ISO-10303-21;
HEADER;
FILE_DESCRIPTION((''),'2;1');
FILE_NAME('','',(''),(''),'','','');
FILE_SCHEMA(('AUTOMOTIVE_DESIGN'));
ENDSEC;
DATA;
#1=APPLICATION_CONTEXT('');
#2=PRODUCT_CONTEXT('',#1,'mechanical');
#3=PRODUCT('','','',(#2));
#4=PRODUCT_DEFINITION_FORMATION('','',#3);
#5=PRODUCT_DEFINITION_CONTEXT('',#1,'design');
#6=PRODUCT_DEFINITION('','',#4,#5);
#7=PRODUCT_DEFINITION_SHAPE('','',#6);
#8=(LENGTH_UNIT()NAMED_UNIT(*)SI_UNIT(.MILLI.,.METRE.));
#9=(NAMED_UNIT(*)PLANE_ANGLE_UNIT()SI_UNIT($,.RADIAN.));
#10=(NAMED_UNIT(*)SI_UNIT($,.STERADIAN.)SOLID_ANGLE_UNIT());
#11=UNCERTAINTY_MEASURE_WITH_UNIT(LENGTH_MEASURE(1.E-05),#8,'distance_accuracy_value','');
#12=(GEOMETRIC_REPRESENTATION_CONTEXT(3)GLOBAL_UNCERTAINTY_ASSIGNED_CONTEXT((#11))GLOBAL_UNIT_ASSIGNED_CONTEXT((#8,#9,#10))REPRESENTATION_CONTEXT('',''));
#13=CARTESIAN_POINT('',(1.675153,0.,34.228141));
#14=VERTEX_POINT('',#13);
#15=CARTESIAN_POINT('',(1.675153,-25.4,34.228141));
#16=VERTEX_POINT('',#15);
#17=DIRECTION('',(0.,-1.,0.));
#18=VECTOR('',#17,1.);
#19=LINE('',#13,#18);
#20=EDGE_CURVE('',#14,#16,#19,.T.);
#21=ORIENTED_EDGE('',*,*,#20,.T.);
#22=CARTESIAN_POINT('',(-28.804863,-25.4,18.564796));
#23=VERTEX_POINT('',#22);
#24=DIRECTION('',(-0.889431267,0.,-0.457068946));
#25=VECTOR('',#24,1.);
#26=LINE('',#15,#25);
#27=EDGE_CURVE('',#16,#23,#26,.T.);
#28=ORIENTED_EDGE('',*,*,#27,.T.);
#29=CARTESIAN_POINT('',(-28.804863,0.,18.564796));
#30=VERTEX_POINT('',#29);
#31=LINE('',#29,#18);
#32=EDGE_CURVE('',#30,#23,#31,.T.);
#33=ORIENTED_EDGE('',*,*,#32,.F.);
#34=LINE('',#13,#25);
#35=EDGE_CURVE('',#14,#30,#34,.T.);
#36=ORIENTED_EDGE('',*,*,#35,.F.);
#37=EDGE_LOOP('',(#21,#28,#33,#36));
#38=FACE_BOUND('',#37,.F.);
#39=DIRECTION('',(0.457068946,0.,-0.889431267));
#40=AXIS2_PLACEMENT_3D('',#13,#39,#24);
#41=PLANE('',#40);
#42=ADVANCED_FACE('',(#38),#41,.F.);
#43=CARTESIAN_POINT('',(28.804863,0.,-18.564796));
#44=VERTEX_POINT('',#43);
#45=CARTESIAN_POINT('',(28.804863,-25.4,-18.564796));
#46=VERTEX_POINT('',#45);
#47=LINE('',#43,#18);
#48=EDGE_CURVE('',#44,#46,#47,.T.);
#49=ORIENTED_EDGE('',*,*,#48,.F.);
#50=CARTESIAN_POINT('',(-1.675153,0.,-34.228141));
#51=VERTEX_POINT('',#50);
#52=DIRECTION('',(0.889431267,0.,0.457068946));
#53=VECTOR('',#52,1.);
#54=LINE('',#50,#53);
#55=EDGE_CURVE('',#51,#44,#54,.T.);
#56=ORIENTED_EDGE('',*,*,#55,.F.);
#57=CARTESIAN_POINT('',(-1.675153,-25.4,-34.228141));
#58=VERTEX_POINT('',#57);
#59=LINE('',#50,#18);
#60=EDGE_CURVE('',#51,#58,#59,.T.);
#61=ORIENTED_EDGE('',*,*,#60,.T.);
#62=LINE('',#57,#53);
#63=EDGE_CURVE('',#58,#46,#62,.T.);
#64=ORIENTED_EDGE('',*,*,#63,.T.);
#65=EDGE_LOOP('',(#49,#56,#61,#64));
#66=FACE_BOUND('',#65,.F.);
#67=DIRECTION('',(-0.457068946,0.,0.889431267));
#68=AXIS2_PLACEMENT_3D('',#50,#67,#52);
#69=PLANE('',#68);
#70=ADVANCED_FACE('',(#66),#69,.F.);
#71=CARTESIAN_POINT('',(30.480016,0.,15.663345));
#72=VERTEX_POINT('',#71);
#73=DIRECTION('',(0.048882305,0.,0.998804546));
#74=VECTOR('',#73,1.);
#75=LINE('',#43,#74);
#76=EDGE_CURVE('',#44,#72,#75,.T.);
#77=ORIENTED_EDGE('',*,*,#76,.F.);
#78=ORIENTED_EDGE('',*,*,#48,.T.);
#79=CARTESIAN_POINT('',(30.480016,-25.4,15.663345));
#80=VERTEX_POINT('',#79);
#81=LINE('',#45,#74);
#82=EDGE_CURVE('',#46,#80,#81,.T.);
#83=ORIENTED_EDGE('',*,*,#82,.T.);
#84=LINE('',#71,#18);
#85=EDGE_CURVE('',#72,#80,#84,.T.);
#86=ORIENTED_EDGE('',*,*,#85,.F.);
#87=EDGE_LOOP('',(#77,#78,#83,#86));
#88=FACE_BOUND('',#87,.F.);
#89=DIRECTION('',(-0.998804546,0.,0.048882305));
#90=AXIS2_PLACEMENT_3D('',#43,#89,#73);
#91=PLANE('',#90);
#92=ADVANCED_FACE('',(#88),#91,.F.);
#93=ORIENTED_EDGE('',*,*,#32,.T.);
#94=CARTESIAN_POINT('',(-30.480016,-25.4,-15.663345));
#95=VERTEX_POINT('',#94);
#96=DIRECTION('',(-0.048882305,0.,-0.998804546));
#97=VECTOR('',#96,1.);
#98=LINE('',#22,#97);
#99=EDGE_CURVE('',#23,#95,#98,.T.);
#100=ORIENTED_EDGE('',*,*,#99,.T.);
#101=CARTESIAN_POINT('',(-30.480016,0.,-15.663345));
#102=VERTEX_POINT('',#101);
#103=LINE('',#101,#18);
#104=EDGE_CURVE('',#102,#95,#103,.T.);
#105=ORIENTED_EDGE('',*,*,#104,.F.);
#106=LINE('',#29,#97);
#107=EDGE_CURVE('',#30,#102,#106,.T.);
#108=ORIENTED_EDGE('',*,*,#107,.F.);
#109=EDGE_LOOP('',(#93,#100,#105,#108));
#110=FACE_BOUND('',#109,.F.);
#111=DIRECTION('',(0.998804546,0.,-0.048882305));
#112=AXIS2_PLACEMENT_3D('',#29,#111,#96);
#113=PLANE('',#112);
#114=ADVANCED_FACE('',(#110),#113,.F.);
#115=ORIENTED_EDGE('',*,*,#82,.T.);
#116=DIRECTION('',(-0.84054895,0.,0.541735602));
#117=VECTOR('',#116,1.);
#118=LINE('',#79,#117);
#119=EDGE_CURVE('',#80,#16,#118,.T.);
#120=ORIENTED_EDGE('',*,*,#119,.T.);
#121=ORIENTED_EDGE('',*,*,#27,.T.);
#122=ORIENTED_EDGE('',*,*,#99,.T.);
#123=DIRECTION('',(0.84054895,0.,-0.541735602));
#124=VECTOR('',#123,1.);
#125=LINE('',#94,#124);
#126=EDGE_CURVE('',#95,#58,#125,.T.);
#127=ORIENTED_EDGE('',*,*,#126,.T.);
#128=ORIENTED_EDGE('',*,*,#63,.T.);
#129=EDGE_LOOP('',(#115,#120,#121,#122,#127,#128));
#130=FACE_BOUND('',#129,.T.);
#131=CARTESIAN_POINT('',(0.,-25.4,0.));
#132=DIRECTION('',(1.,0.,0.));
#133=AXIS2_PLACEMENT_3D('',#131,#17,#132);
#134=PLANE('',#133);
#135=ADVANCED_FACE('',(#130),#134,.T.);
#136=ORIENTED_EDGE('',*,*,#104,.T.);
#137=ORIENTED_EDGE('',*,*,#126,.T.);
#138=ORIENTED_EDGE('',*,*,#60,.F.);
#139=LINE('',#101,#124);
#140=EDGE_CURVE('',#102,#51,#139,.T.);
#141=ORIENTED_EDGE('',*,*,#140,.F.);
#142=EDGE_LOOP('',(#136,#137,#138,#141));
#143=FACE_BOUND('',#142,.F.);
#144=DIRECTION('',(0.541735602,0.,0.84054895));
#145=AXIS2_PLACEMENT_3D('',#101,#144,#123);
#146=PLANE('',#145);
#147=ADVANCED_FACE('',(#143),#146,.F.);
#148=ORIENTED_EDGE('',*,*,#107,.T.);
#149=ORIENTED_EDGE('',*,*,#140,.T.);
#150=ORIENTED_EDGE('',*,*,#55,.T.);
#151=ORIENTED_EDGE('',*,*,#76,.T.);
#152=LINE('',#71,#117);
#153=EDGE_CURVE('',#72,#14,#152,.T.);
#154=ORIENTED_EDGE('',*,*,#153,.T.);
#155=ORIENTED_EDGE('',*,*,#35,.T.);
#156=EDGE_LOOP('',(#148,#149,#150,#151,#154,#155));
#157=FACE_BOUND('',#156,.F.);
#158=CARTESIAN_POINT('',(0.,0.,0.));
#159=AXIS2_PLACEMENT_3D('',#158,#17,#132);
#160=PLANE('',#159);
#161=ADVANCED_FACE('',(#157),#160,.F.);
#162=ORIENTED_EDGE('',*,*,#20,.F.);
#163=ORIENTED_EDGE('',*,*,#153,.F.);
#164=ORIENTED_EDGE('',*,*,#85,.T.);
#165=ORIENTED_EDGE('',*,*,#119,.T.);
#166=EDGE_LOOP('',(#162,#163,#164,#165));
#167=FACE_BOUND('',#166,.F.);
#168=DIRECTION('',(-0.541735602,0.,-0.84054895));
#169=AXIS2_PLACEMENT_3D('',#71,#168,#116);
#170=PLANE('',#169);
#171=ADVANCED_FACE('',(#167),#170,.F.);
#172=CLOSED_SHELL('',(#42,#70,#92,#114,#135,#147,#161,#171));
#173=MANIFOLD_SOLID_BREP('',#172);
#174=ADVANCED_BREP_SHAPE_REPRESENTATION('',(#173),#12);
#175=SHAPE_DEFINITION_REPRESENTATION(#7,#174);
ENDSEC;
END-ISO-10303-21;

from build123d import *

# Parameters (mm, degrees)
F1_DEPTH = 25.4
F2_R     = 16.132222
F3_DEPTH = 25.4


with BuildPart() as f1:
    # F0 (on Front) → F1 (new body)
    with BuildSketch(Plane.XZ):
        Polygon((-1.675153, -34.228141), (28.804863, -18.564796), (30.480016, 15.663345), (1.675153, 34.228141), (-28.804863, 18.564796), (-30.480016, -15.663345), align=None)
    extrude(amount=F1_DEPTH)

    # F2 (on Front) → F3 (join)
    with BuildSketch(Plane.XZ):
        Circle(F2_R)
    extrude(amount=F3_DEPTH)


solid = f1.part
